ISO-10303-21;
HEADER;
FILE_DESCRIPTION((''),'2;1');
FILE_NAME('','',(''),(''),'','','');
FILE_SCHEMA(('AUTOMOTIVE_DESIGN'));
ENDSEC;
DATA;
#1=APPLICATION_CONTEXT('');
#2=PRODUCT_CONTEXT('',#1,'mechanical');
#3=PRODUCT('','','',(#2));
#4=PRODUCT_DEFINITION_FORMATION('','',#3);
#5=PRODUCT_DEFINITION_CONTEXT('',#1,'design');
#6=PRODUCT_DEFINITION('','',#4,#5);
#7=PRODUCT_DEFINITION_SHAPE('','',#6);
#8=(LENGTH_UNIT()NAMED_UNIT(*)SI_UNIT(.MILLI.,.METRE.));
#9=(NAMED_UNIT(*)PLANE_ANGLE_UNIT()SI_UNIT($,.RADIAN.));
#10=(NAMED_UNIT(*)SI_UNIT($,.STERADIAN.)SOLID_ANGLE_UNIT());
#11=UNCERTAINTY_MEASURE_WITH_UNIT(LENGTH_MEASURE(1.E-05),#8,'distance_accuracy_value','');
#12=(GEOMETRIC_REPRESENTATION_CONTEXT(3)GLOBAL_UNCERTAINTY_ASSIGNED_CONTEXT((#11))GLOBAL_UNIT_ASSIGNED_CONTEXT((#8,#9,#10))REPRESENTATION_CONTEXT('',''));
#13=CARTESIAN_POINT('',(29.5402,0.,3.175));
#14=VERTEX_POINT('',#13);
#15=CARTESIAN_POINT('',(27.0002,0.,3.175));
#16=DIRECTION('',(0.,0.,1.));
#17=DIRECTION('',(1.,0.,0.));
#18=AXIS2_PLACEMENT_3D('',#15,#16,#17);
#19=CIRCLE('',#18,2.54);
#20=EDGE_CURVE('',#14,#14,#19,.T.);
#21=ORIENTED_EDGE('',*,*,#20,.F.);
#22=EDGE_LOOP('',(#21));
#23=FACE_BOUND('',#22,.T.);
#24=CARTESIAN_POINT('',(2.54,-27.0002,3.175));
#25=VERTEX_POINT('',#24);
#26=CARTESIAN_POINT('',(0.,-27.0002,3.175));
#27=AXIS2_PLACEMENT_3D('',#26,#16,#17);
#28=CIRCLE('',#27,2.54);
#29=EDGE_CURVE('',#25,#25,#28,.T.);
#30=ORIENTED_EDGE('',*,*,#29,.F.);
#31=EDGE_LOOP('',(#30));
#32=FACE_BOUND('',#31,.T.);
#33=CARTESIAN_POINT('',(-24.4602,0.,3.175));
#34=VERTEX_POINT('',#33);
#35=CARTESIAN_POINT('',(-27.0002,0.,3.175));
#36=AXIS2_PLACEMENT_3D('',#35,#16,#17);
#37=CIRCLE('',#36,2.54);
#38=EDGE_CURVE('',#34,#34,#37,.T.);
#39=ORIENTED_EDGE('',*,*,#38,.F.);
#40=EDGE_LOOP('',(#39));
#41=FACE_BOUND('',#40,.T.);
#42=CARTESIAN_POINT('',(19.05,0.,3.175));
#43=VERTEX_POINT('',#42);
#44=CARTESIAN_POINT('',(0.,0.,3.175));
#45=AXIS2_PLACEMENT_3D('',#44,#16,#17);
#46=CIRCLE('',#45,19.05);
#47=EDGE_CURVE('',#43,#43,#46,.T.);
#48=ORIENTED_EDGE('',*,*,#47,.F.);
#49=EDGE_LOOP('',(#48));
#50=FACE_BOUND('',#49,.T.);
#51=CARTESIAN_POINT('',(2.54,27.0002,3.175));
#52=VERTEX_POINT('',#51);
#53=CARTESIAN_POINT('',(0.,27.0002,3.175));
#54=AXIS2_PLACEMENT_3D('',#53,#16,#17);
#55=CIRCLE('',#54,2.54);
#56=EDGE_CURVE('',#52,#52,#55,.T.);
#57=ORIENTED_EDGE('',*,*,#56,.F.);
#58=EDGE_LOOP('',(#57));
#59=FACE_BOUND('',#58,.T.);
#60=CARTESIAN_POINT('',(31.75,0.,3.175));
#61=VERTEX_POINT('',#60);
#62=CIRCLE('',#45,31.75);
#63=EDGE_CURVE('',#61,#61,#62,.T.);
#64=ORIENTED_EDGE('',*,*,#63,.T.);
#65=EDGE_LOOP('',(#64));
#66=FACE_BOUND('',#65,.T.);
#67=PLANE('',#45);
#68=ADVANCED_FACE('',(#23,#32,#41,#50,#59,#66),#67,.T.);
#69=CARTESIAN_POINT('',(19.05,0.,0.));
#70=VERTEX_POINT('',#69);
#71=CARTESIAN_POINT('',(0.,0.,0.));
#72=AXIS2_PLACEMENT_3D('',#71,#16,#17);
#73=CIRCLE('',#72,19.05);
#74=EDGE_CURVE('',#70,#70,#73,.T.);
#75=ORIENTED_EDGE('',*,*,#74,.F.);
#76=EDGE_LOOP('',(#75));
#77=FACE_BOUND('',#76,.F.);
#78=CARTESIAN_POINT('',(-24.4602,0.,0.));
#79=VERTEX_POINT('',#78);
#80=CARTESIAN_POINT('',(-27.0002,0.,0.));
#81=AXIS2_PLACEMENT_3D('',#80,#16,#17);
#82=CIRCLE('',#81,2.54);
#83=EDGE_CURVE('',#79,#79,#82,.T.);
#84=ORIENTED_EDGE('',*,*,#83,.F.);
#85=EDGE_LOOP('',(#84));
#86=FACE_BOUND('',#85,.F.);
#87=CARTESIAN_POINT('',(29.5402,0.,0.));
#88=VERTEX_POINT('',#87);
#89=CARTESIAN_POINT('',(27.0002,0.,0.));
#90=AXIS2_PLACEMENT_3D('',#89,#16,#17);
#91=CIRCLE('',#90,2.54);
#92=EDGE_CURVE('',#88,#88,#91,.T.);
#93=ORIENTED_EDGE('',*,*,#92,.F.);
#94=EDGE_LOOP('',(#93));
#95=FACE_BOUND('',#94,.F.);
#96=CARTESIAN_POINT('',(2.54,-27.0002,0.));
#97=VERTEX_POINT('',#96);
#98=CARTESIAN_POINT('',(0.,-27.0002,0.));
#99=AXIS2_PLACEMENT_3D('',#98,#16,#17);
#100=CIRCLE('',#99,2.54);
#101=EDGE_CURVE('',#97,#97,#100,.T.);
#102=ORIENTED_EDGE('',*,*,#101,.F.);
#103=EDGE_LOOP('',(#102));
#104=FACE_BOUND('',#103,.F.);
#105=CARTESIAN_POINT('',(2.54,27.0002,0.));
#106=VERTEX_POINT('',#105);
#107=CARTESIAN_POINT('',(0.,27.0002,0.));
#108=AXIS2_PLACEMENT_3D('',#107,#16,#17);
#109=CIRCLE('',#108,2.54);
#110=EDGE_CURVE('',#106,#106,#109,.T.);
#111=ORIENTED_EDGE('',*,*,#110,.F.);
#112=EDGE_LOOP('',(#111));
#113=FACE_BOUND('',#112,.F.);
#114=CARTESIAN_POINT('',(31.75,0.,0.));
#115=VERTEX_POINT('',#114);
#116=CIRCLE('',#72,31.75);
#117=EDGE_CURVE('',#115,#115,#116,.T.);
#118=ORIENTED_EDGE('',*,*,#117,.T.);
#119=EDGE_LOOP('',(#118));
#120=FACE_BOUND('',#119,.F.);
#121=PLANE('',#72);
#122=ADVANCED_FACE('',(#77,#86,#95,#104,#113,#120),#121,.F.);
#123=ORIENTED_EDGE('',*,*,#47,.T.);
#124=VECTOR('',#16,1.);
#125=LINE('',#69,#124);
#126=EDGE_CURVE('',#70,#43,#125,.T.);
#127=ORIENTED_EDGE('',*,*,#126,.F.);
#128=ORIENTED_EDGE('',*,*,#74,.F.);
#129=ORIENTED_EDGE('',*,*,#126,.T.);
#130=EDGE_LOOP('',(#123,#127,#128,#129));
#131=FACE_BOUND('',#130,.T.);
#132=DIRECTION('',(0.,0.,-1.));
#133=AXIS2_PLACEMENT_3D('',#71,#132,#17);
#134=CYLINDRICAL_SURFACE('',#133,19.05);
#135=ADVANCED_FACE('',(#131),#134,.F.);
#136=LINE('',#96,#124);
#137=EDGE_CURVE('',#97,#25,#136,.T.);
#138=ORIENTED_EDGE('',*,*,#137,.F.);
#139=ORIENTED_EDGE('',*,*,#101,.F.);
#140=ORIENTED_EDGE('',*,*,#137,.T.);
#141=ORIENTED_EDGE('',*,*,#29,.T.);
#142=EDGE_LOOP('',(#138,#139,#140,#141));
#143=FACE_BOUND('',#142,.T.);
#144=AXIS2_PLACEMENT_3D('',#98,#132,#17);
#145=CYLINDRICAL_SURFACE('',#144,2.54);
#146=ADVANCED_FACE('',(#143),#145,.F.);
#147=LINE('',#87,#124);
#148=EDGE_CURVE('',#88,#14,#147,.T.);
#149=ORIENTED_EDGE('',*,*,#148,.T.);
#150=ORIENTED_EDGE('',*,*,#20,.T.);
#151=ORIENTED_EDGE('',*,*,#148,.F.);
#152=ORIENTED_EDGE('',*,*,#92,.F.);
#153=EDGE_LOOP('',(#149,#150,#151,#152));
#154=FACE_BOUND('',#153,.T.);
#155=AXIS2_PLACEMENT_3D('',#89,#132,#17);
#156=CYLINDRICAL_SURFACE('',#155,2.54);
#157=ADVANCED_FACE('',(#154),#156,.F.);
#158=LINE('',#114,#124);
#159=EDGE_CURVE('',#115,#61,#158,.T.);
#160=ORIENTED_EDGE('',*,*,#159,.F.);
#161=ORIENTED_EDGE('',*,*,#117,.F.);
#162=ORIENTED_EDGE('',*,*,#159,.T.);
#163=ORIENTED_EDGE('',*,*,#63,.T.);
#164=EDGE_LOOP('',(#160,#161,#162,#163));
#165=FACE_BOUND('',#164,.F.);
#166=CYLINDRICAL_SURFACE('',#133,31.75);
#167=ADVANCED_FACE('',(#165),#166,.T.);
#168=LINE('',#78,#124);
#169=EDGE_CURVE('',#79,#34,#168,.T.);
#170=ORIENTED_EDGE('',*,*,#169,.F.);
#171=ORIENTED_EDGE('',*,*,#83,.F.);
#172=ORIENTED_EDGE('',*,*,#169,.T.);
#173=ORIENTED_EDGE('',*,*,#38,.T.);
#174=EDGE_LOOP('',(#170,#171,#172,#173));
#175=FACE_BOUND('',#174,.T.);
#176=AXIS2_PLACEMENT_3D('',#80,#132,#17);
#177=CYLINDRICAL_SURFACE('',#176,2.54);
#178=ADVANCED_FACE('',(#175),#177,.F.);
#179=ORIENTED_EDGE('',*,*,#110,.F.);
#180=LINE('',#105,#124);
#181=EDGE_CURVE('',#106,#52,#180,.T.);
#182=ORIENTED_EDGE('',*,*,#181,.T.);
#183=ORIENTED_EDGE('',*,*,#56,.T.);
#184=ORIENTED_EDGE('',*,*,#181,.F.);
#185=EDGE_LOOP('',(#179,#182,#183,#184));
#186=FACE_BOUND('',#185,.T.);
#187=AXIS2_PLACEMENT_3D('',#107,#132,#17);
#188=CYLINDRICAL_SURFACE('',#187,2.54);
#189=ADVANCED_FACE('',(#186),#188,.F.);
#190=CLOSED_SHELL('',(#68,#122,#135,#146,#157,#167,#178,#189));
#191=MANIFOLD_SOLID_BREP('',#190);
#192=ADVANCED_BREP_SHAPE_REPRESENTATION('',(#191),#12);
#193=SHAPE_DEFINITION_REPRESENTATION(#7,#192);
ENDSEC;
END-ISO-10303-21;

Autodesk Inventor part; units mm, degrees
ref_plane "YZ Plane" through (0, 0, 0) normal (1, 0, 0) x (0, 1, 0)
ref_plane "XZ Plane" through (0, 0, 0) normal (0, 1, 0) x (-1, 0, 0)
ref_plane "XY Plane" through (0, 0, 0) normal (0, 0, 1) x (1, 0, 0)
sketch "Sketch1" plane through (0, 0, 0) normal (0, 0, 1) x (1, 0, 0)
  circle A0 centre (0, 0) radius 19.05
  circle A1 centre (0, 0) radius 31.75
  circle A2 centre (-27.0002, 0) radius 2.54
  line L0 (-27.0002, 0) -> (0, 0) construction
  circle A3 centre (0, -27.0002) radius 2.54
  circle A4 centre (27.0002, 0) radius 2.54
  circle A5 centre (0, 27.0002) radius 2.54
  dimension "d0" = 63.5
  dimension "d2" = 38.1
  dimension "d3" = 27.0002
  dimension "d4" = 5.08
  dimension "d7" = 360
extrude "Extrusion1" add sketch "Sketch1" along normal blind 3.175
properties part number "M - P80 Spacer" material "Aluminum 6061"
